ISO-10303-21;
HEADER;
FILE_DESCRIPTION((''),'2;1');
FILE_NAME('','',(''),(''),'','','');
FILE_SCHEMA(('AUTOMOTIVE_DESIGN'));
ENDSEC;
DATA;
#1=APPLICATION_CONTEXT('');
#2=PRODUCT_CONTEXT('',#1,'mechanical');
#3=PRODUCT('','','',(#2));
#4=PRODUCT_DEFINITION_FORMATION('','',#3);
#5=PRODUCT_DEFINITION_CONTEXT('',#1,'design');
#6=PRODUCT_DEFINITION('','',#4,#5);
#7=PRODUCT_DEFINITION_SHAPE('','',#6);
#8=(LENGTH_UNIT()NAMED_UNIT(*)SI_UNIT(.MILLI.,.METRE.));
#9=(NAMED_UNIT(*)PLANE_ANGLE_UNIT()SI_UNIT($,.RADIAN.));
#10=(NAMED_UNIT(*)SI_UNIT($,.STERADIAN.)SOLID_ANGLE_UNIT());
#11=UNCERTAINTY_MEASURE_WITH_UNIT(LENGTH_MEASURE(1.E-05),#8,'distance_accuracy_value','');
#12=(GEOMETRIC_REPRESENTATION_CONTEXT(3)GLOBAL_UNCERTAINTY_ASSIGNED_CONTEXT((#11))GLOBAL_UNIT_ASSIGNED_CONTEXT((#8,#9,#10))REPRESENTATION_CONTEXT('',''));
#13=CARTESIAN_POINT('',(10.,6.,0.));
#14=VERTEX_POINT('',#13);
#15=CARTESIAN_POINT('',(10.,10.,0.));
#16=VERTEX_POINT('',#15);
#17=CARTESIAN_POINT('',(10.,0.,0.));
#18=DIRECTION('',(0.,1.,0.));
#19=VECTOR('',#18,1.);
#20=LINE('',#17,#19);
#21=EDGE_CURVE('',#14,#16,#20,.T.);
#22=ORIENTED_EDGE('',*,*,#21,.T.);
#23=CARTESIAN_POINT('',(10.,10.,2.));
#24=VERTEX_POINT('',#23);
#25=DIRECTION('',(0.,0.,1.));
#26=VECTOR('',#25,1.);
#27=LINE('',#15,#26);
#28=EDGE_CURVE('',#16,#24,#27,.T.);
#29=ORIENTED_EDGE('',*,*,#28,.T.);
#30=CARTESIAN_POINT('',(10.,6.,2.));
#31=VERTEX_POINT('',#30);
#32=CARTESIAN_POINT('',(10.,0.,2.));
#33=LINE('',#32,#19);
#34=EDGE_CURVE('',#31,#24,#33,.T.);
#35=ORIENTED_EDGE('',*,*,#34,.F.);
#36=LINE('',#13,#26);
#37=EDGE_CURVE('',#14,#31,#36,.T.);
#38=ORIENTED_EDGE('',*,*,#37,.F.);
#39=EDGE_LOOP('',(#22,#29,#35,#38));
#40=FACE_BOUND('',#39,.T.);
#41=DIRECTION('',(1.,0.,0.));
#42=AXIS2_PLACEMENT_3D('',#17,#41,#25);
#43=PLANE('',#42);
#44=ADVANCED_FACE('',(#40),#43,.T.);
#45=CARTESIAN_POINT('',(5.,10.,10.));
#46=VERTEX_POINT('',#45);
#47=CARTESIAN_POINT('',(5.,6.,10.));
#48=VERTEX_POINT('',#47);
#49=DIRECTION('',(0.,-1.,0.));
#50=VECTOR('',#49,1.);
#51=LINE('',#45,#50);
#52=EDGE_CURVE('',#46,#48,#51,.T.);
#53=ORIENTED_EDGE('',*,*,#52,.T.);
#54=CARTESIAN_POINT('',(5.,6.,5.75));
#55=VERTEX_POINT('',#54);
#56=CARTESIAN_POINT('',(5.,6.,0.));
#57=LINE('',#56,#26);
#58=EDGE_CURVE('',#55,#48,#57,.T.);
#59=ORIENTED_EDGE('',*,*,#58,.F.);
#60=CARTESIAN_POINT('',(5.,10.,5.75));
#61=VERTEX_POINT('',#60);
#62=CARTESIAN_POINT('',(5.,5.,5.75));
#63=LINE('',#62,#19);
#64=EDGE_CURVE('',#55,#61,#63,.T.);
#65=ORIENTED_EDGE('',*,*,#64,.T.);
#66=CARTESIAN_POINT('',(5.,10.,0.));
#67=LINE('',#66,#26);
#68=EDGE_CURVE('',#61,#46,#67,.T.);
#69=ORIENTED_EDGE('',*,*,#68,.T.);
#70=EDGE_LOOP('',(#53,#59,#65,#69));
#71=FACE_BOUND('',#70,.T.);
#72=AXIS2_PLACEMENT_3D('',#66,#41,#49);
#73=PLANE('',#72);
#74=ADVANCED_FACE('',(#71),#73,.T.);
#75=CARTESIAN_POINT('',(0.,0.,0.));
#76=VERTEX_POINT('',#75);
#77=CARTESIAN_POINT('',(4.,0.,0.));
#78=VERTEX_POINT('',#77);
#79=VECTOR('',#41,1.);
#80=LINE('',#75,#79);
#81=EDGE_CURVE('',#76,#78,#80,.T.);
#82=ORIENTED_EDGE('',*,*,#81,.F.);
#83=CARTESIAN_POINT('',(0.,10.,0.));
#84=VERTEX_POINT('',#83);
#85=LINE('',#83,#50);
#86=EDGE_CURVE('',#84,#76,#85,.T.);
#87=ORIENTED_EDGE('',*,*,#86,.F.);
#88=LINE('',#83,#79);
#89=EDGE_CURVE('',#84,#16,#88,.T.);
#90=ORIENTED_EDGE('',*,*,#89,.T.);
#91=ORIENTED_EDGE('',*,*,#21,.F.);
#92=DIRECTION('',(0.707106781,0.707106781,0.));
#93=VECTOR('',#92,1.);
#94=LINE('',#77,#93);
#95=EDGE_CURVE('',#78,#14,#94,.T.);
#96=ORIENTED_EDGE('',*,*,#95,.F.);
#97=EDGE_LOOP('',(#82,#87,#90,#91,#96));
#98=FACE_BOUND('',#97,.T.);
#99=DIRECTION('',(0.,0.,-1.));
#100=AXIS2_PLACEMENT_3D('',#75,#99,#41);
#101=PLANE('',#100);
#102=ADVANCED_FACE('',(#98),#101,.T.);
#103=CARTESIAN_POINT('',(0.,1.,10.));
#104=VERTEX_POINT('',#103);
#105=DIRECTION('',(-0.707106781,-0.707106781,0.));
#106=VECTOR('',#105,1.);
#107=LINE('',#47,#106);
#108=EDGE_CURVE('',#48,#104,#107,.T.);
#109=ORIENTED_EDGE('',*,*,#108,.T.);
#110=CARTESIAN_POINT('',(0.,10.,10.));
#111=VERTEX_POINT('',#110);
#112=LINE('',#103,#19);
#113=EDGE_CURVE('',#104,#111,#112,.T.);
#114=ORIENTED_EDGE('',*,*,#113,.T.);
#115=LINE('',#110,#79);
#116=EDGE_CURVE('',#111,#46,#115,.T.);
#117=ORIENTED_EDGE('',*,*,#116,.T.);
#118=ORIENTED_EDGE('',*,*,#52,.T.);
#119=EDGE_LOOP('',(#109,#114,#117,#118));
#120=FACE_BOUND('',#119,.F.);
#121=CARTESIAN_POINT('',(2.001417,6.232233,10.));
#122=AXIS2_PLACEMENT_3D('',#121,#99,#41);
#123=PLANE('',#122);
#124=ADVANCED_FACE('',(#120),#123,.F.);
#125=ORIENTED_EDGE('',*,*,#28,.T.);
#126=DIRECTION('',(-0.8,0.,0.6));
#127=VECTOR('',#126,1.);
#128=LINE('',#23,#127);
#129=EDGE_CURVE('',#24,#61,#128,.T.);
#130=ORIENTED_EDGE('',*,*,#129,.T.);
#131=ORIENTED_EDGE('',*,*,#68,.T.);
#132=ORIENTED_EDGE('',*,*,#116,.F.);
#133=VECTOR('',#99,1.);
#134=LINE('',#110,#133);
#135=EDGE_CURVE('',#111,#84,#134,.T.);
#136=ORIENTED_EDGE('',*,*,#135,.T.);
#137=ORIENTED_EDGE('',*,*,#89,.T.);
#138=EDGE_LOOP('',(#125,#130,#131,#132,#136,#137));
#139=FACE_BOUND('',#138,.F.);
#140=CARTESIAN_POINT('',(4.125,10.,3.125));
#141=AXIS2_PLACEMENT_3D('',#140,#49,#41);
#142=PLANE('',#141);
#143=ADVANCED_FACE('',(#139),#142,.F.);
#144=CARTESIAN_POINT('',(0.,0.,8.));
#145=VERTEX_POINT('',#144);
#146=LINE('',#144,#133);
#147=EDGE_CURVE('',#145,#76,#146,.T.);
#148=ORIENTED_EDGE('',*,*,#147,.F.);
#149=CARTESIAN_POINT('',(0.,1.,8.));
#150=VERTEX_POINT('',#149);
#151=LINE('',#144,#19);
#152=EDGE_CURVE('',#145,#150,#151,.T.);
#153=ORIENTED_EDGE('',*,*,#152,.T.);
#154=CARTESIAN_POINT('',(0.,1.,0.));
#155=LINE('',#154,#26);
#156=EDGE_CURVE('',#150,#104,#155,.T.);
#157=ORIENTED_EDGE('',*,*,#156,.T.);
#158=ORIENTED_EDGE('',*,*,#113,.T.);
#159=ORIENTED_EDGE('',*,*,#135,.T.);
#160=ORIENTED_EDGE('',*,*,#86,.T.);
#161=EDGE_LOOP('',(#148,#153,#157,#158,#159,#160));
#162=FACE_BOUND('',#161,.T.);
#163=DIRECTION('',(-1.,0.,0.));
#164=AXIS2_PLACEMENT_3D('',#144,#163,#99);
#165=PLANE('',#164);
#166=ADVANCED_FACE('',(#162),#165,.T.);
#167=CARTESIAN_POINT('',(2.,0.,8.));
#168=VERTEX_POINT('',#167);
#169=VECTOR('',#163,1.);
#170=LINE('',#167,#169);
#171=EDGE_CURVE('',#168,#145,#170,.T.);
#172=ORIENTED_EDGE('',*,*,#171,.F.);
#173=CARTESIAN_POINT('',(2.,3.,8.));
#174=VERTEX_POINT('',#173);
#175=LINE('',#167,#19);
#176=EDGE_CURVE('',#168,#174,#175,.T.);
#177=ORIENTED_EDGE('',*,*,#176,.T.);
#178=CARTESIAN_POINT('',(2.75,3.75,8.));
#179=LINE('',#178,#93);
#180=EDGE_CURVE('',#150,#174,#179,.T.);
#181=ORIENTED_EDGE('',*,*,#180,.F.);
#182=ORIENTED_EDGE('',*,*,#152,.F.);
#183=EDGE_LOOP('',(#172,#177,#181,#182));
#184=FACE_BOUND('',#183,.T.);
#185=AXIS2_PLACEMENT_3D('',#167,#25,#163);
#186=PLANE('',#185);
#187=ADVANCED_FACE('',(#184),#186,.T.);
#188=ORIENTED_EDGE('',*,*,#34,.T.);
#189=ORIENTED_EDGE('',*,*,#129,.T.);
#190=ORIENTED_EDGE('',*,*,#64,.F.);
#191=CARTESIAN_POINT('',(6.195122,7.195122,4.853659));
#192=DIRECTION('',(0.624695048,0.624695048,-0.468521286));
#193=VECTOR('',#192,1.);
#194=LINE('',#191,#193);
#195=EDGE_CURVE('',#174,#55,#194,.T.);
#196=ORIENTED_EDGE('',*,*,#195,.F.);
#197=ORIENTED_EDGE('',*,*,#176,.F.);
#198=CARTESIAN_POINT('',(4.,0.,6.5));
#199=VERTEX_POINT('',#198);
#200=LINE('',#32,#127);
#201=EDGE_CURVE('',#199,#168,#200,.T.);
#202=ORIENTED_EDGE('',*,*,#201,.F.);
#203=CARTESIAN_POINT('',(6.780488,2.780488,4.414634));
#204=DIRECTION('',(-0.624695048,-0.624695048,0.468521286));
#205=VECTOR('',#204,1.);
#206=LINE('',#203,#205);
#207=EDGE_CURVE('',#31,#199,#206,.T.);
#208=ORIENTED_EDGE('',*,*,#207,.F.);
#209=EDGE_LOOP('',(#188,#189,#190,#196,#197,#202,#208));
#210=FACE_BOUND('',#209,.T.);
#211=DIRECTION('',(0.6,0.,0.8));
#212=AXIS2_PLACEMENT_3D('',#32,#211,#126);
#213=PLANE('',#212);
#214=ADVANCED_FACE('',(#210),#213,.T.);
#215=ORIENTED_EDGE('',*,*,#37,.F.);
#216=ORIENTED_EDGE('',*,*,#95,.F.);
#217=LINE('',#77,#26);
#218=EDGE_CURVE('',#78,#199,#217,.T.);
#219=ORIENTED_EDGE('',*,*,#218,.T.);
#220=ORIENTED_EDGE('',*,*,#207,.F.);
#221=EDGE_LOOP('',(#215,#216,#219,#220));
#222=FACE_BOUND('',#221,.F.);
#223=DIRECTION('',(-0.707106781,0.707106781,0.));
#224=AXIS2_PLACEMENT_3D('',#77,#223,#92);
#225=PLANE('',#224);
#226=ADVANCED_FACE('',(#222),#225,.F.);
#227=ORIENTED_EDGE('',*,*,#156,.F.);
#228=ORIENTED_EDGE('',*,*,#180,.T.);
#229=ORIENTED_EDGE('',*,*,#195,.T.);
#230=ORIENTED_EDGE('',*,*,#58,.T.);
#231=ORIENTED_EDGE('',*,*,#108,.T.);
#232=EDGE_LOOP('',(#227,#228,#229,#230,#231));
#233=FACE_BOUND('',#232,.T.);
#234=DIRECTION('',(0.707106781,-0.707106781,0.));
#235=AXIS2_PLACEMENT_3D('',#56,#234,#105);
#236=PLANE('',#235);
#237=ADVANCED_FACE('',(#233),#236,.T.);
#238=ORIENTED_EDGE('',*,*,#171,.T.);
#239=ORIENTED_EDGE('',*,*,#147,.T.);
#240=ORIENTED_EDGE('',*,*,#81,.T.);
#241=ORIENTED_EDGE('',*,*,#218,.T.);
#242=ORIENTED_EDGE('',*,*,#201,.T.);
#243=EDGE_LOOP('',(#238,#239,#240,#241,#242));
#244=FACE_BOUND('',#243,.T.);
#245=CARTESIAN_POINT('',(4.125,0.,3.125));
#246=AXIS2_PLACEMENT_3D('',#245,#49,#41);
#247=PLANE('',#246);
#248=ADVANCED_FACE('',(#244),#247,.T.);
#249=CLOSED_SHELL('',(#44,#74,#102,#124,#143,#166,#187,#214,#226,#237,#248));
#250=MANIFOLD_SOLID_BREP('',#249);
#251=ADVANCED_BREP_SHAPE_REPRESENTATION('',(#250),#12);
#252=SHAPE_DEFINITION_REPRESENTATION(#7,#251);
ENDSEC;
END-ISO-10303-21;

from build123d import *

# Parameters (mm, degrees)
F1_DEPTH = 10
F3_DEPTH = 8.001
F4_DEPTH = 10


with BuildPart() as f1:
    # F0 (on Front) → F1 (new body)
    with BuildSketch(Plane.XZ):
        Polygon((2, 8), (0, 8), (0, 0), (10, 0), (10, 2), align=None)
    extrude(amount=-F1_DEPTH)

    # F2 (on face) → F3 (cut, through all)
    with BuildSketch(Plane(origin=(0, 0, 0), x_dir=(1, 0, 0), z_dir=(0, 0, -1))):
        Polygon((10, 0), (4, 0), (10, -6), align=None)
    extrude(amount=-F3_DEPTH, mode=Mode.SUBTRACT)

    # F2 (on face) → F4 (join)
    with BuildSketch(Plane(origin=(0, 0, 0), x_dir=(1, 0, 0), z_dir=(0, 0, -1))):
        Polygon((5, -6), (0, -1), (0, -10), (5, -10), align=None)
    extrude(amount=-F4_DEPTH)


solid = f1.part
